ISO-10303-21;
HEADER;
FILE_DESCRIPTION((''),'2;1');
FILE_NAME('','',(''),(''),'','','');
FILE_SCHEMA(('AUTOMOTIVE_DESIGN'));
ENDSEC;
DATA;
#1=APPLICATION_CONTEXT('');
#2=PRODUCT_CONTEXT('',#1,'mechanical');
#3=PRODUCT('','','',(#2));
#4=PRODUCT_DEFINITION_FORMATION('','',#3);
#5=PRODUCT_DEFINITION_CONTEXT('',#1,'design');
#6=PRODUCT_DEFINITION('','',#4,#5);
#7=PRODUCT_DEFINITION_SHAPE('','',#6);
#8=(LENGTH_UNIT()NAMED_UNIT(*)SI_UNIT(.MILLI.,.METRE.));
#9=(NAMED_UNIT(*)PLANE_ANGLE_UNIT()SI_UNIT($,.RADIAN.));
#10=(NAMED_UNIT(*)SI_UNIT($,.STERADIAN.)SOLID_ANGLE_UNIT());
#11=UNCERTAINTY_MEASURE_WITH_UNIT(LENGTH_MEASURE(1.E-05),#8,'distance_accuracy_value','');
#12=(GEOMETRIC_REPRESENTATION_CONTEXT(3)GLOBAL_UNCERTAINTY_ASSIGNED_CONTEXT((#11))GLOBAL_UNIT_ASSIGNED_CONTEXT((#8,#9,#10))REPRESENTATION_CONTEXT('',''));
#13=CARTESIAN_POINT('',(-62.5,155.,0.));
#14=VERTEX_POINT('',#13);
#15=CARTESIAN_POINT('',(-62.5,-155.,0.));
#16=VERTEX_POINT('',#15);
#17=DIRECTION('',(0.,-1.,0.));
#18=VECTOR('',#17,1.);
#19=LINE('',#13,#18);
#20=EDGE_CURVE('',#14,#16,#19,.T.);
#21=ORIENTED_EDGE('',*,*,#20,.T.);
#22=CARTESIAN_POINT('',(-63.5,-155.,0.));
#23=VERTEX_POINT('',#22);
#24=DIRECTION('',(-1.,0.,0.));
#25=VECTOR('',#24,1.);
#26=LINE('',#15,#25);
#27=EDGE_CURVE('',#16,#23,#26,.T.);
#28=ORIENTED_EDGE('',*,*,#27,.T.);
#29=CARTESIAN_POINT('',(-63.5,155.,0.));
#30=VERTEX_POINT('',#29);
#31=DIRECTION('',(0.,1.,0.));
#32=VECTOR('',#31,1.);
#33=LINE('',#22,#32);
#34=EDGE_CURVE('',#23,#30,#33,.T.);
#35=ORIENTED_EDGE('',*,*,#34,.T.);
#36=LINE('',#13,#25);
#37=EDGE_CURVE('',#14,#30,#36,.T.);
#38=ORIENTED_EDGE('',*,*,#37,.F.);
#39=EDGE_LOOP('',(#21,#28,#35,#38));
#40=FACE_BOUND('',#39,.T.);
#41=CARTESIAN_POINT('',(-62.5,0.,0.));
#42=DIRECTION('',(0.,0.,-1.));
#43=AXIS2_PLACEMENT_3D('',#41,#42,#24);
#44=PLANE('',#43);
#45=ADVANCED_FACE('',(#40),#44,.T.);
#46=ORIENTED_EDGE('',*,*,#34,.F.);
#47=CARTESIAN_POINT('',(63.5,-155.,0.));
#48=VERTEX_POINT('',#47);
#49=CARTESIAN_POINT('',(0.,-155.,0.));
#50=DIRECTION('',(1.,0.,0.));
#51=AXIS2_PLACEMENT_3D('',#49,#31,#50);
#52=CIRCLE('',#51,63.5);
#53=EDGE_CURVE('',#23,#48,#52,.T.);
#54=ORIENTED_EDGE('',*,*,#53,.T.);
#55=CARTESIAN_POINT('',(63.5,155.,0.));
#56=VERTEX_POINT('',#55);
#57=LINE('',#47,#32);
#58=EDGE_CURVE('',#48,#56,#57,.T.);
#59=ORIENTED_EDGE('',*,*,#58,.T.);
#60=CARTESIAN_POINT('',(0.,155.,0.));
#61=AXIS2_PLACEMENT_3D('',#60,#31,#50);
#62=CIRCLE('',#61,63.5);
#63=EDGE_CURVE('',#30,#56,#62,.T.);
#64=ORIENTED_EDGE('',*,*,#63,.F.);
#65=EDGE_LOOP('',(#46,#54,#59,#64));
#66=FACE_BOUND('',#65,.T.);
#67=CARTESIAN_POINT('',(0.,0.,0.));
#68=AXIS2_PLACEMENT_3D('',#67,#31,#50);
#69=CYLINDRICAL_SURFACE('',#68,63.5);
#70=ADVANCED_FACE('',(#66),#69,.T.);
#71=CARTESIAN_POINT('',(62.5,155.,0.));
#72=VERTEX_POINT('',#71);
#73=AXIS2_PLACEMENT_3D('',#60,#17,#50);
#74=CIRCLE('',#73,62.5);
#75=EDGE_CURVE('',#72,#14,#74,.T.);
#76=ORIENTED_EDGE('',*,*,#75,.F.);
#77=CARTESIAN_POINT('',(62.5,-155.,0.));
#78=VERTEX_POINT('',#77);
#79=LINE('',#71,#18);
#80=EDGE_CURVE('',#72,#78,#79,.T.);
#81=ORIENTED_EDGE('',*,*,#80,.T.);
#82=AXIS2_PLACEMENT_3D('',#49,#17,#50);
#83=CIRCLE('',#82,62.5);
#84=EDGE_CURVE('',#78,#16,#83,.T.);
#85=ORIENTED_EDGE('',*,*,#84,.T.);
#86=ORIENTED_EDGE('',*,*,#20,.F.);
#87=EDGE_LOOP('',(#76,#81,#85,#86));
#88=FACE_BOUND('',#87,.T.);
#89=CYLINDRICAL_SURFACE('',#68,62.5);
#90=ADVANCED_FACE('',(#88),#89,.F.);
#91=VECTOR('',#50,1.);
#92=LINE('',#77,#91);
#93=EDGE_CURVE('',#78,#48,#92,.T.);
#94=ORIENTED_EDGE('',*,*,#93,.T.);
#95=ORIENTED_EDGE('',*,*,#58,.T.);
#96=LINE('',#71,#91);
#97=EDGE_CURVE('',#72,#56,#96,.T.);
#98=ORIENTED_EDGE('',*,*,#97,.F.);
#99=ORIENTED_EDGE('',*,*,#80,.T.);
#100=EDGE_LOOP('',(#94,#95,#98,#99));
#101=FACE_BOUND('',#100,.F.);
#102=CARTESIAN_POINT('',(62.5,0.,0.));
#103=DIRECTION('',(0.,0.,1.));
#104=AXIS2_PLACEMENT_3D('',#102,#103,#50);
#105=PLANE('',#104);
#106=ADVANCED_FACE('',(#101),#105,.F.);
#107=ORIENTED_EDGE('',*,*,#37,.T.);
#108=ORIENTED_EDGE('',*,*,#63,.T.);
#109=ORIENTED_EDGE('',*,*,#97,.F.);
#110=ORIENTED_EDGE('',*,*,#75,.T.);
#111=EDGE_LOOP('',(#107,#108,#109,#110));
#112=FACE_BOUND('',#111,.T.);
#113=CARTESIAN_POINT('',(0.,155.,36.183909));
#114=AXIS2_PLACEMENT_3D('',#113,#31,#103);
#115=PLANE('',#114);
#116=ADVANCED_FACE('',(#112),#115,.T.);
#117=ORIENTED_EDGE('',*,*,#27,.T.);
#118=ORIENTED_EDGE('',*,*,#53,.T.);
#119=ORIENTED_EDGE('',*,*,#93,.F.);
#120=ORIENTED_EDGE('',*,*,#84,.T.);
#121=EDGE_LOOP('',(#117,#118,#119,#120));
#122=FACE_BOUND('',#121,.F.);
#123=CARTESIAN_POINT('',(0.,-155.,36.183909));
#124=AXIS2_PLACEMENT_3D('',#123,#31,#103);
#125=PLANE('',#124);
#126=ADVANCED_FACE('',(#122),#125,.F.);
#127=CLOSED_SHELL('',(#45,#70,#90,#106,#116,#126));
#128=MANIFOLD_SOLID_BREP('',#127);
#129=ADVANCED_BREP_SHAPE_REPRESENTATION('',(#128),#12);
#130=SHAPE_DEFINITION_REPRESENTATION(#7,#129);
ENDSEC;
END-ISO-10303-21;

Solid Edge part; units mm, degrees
sketch "Sketch1" plane through (0, 0, 0) normal (0, -1, 0) x (1, 0, 0)
  line L0 (-62.5, 0) -> (-63.5, 0)
  line L1 (62.5, 0) -> (63.5, 0)
  arc A0 (62.5, 0) -> (-62.5, 0) centre (0, 0) ccw
  arc A1 (-63.5, 0) -> (63.5, 0) centre (0, 0) cw
extrude "Protrusion1" add sketch "Sketch1" along normal mid plane 310
